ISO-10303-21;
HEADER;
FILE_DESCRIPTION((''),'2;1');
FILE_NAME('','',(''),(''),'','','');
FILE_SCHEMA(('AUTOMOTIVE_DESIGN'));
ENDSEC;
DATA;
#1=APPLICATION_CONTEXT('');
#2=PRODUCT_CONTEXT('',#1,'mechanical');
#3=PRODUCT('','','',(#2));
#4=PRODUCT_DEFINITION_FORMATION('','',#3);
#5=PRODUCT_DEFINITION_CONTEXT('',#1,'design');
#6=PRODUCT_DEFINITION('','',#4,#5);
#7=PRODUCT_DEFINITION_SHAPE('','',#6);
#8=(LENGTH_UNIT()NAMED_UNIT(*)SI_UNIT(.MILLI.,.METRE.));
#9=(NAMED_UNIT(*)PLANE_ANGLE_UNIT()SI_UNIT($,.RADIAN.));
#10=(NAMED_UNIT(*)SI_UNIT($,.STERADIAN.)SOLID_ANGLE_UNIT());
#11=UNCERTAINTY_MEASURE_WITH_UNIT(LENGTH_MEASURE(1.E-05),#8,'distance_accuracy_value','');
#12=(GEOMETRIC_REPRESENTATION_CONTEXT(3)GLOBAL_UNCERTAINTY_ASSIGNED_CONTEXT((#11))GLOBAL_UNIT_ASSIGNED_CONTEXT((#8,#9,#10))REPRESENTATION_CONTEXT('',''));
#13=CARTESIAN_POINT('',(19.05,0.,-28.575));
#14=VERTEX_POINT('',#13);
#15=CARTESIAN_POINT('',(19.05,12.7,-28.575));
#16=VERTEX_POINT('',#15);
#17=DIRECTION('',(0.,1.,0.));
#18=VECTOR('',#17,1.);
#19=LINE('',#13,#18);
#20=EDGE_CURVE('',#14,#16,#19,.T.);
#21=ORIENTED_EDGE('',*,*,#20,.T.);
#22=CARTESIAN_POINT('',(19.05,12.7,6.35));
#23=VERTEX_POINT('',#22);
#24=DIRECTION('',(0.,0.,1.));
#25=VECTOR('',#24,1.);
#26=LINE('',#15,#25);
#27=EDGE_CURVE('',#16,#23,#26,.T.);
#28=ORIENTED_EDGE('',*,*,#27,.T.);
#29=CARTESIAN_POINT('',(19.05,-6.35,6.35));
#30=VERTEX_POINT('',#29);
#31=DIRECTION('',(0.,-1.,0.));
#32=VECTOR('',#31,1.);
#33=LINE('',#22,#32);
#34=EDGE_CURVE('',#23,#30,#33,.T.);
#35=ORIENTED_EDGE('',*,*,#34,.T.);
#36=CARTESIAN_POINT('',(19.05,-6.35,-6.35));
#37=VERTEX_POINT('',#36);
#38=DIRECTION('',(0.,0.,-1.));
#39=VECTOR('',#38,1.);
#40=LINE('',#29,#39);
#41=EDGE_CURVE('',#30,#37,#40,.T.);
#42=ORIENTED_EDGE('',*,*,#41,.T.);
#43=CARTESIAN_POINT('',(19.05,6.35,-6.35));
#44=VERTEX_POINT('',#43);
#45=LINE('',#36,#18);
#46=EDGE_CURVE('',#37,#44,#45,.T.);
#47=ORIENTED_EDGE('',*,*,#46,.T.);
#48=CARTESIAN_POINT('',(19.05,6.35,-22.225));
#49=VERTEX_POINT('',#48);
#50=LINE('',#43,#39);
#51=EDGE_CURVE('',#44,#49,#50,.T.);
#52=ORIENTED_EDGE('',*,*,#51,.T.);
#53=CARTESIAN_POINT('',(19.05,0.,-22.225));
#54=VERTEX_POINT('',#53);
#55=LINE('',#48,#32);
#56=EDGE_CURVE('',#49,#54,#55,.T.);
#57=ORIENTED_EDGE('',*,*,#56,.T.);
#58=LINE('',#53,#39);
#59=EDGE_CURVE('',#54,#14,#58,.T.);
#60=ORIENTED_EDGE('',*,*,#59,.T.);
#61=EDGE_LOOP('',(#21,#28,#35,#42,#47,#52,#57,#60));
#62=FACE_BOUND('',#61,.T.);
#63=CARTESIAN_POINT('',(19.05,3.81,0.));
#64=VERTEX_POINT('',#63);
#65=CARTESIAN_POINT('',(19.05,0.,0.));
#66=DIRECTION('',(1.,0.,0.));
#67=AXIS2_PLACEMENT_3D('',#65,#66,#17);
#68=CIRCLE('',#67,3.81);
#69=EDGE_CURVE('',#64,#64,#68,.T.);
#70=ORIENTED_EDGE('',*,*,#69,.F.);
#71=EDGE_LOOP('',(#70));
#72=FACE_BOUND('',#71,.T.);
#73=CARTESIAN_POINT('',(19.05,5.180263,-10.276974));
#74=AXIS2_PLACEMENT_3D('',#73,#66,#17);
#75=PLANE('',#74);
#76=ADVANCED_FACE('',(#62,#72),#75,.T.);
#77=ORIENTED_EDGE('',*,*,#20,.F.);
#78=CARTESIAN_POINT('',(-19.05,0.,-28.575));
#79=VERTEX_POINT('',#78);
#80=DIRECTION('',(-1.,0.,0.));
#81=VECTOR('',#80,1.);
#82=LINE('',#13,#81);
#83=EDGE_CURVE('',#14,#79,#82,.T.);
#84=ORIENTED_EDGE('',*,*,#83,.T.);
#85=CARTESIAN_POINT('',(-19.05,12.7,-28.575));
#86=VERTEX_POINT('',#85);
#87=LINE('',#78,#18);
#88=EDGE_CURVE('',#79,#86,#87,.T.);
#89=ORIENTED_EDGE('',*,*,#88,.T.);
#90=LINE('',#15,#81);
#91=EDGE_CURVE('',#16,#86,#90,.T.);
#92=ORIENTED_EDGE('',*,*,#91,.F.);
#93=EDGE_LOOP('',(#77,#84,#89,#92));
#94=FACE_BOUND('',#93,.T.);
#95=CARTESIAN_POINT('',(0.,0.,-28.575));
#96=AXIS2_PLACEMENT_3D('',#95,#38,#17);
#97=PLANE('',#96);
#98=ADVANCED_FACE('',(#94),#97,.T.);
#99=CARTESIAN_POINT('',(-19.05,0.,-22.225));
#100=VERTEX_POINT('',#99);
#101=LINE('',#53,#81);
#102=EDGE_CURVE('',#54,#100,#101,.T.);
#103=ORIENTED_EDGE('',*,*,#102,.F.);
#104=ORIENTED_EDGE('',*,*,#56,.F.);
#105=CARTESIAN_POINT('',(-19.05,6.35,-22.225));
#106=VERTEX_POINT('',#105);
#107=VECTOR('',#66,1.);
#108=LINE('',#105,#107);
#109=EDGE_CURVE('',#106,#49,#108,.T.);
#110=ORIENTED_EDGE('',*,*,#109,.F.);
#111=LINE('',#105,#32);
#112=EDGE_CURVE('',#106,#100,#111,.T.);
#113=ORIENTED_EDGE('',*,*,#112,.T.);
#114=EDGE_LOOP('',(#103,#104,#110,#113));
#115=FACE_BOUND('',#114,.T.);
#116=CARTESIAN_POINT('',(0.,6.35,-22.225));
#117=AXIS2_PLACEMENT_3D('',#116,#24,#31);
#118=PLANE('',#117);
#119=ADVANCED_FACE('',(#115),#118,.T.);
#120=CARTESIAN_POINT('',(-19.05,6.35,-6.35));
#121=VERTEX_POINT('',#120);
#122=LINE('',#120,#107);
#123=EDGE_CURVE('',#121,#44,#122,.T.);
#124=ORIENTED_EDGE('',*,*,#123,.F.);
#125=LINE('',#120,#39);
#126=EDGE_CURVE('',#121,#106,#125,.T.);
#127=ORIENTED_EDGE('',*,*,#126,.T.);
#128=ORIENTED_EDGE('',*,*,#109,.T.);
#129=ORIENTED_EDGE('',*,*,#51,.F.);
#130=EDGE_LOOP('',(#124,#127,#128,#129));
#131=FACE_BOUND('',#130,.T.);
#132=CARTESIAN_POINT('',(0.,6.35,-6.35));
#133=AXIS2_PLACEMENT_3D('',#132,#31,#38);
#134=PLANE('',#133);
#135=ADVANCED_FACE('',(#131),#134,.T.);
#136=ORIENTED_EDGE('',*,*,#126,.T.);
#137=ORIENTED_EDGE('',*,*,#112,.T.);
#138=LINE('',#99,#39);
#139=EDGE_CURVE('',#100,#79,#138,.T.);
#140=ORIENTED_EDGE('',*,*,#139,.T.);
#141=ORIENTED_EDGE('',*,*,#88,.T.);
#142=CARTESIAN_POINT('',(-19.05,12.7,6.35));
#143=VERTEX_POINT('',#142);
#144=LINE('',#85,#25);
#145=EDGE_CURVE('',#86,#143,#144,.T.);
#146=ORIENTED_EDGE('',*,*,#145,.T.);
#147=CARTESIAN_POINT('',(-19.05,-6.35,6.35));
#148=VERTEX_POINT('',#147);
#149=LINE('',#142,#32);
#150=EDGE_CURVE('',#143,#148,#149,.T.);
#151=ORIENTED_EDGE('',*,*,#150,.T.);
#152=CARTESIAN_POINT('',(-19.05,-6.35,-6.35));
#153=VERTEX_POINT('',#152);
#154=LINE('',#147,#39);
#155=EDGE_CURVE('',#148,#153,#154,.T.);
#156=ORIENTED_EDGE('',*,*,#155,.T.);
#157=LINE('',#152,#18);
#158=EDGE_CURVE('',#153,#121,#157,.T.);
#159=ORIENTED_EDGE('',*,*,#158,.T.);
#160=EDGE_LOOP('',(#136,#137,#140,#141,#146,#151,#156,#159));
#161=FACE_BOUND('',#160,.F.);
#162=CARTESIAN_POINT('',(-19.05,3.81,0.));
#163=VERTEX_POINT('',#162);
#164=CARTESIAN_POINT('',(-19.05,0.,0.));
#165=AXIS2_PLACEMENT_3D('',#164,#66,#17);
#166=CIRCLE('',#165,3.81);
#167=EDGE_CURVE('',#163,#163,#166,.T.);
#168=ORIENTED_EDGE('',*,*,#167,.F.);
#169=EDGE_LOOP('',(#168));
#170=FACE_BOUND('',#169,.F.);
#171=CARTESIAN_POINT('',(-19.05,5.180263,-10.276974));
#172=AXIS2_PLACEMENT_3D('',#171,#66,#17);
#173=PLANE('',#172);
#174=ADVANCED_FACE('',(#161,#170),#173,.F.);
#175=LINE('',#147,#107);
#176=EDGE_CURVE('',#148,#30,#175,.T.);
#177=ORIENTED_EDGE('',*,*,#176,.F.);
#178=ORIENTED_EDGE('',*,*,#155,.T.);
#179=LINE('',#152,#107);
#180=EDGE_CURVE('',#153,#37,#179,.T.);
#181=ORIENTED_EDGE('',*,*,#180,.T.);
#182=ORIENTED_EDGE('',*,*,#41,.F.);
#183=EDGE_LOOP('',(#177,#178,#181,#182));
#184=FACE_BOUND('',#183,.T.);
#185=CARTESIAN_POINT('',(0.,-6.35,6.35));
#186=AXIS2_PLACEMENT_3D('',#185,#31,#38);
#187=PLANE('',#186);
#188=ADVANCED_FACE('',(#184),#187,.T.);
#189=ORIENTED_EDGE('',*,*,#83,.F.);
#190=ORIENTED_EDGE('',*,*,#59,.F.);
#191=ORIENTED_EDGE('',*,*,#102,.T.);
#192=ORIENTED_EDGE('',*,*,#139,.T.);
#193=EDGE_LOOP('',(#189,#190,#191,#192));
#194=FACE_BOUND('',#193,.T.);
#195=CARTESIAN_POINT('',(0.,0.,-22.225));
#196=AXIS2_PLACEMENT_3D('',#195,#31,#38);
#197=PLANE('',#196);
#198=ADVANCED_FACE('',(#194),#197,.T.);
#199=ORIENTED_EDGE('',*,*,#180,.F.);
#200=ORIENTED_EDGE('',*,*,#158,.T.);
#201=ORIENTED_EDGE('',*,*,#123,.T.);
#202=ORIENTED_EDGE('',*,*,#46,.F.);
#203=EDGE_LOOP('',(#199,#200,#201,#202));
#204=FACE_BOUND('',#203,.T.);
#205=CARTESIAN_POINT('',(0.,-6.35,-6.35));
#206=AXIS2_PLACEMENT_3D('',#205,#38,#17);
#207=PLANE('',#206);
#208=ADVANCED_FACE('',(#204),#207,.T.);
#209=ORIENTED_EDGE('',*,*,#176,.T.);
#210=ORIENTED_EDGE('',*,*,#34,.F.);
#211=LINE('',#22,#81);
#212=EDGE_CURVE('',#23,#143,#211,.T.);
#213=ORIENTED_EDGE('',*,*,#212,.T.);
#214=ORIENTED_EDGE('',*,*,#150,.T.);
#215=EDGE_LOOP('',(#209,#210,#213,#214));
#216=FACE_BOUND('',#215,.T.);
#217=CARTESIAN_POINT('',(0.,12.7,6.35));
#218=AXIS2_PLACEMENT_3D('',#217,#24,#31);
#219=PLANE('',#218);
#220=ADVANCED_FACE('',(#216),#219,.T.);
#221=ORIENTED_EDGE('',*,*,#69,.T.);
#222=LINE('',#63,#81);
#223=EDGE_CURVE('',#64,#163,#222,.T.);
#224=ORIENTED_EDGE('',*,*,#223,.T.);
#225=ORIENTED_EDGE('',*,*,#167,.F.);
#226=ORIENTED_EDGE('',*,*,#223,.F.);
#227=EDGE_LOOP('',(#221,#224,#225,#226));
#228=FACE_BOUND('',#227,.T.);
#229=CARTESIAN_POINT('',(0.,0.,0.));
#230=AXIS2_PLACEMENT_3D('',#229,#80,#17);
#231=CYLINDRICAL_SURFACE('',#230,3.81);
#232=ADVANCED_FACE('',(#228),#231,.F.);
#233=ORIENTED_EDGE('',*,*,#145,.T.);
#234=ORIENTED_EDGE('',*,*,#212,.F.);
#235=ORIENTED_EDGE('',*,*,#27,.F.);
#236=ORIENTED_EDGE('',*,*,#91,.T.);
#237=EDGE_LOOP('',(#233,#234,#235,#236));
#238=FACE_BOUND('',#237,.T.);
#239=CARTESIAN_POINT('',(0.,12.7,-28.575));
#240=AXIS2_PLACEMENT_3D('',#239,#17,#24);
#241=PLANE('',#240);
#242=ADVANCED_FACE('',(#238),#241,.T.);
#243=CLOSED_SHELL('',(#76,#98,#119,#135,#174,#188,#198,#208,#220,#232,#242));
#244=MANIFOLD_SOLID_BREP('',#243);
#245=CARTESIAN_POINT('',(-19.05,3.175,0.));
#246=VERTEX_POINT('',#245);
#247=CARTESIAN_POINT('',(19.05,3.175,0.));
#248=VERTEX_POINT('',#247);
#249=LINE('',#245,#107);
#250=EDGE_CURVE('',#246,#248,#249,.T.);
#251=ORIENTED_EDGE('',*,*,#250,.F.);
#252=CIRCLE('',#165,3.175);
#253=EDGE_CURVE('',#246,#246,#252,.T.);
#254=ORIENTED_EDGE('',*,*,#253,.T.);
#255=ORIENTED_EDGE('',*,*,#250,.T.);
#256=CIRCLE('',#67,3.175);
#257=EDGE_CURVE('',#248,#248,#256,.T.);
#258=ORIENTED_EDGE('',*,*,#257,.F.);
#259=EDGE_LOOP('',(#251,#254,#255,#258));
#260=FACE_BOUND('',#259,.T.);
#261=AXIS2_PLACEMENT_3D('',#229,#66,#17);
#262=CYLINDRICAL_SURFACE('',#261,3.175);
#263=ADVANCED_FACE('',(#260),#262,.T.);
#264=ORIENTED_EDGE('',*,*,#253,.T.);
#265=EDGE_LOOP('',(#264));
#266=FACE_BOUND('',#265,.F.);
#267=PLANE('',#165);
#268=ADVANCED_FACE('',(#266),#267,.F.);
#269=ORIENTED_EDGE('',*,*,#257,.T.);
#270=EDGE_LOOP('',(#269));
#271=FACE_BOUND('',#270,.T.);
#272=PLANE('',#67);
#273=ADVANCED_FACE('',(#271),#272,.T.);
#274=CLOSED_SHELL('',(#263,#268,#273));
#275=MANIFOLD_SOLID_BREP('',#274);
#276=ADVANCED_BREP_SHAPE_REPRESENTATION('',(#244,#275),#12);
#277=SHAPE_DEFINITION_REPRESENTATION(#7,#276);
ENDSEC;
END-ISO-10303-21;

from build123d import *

# Parameters (mm, degrees)
F0_R     = 3.175
F1_DEPTH = 19.05
F2_R     = 3.81
F3_DEPTH = 19.05


with BuildPart() as f1:
    # F0 (on Right) → F1 (new body, symmetric)
    with BuildSketch(Plane.YZ):
        Circle(F0_R)
    extrude(amount=F1_DEPTH, both=True)


with BuildPart() as f3:
    # F2 (on Right) → F3 (new body, symmetric)
    with BuildSketch(Plane.YZ):
        Polygon((12.7, 6.35), (-6.35, 6.35), (-6.35, -6.35), (6.35, -6.35), (6.35, -22.225), (0, -22.225), (0, -28.575), (12.7, -28.575), align=None)
        Circle(F2_R, mode=Mode.SUBTRACT)
    extrude(amount=F3_DEPTH, both=True)


solid = Compound([f1.part, f3.part])
